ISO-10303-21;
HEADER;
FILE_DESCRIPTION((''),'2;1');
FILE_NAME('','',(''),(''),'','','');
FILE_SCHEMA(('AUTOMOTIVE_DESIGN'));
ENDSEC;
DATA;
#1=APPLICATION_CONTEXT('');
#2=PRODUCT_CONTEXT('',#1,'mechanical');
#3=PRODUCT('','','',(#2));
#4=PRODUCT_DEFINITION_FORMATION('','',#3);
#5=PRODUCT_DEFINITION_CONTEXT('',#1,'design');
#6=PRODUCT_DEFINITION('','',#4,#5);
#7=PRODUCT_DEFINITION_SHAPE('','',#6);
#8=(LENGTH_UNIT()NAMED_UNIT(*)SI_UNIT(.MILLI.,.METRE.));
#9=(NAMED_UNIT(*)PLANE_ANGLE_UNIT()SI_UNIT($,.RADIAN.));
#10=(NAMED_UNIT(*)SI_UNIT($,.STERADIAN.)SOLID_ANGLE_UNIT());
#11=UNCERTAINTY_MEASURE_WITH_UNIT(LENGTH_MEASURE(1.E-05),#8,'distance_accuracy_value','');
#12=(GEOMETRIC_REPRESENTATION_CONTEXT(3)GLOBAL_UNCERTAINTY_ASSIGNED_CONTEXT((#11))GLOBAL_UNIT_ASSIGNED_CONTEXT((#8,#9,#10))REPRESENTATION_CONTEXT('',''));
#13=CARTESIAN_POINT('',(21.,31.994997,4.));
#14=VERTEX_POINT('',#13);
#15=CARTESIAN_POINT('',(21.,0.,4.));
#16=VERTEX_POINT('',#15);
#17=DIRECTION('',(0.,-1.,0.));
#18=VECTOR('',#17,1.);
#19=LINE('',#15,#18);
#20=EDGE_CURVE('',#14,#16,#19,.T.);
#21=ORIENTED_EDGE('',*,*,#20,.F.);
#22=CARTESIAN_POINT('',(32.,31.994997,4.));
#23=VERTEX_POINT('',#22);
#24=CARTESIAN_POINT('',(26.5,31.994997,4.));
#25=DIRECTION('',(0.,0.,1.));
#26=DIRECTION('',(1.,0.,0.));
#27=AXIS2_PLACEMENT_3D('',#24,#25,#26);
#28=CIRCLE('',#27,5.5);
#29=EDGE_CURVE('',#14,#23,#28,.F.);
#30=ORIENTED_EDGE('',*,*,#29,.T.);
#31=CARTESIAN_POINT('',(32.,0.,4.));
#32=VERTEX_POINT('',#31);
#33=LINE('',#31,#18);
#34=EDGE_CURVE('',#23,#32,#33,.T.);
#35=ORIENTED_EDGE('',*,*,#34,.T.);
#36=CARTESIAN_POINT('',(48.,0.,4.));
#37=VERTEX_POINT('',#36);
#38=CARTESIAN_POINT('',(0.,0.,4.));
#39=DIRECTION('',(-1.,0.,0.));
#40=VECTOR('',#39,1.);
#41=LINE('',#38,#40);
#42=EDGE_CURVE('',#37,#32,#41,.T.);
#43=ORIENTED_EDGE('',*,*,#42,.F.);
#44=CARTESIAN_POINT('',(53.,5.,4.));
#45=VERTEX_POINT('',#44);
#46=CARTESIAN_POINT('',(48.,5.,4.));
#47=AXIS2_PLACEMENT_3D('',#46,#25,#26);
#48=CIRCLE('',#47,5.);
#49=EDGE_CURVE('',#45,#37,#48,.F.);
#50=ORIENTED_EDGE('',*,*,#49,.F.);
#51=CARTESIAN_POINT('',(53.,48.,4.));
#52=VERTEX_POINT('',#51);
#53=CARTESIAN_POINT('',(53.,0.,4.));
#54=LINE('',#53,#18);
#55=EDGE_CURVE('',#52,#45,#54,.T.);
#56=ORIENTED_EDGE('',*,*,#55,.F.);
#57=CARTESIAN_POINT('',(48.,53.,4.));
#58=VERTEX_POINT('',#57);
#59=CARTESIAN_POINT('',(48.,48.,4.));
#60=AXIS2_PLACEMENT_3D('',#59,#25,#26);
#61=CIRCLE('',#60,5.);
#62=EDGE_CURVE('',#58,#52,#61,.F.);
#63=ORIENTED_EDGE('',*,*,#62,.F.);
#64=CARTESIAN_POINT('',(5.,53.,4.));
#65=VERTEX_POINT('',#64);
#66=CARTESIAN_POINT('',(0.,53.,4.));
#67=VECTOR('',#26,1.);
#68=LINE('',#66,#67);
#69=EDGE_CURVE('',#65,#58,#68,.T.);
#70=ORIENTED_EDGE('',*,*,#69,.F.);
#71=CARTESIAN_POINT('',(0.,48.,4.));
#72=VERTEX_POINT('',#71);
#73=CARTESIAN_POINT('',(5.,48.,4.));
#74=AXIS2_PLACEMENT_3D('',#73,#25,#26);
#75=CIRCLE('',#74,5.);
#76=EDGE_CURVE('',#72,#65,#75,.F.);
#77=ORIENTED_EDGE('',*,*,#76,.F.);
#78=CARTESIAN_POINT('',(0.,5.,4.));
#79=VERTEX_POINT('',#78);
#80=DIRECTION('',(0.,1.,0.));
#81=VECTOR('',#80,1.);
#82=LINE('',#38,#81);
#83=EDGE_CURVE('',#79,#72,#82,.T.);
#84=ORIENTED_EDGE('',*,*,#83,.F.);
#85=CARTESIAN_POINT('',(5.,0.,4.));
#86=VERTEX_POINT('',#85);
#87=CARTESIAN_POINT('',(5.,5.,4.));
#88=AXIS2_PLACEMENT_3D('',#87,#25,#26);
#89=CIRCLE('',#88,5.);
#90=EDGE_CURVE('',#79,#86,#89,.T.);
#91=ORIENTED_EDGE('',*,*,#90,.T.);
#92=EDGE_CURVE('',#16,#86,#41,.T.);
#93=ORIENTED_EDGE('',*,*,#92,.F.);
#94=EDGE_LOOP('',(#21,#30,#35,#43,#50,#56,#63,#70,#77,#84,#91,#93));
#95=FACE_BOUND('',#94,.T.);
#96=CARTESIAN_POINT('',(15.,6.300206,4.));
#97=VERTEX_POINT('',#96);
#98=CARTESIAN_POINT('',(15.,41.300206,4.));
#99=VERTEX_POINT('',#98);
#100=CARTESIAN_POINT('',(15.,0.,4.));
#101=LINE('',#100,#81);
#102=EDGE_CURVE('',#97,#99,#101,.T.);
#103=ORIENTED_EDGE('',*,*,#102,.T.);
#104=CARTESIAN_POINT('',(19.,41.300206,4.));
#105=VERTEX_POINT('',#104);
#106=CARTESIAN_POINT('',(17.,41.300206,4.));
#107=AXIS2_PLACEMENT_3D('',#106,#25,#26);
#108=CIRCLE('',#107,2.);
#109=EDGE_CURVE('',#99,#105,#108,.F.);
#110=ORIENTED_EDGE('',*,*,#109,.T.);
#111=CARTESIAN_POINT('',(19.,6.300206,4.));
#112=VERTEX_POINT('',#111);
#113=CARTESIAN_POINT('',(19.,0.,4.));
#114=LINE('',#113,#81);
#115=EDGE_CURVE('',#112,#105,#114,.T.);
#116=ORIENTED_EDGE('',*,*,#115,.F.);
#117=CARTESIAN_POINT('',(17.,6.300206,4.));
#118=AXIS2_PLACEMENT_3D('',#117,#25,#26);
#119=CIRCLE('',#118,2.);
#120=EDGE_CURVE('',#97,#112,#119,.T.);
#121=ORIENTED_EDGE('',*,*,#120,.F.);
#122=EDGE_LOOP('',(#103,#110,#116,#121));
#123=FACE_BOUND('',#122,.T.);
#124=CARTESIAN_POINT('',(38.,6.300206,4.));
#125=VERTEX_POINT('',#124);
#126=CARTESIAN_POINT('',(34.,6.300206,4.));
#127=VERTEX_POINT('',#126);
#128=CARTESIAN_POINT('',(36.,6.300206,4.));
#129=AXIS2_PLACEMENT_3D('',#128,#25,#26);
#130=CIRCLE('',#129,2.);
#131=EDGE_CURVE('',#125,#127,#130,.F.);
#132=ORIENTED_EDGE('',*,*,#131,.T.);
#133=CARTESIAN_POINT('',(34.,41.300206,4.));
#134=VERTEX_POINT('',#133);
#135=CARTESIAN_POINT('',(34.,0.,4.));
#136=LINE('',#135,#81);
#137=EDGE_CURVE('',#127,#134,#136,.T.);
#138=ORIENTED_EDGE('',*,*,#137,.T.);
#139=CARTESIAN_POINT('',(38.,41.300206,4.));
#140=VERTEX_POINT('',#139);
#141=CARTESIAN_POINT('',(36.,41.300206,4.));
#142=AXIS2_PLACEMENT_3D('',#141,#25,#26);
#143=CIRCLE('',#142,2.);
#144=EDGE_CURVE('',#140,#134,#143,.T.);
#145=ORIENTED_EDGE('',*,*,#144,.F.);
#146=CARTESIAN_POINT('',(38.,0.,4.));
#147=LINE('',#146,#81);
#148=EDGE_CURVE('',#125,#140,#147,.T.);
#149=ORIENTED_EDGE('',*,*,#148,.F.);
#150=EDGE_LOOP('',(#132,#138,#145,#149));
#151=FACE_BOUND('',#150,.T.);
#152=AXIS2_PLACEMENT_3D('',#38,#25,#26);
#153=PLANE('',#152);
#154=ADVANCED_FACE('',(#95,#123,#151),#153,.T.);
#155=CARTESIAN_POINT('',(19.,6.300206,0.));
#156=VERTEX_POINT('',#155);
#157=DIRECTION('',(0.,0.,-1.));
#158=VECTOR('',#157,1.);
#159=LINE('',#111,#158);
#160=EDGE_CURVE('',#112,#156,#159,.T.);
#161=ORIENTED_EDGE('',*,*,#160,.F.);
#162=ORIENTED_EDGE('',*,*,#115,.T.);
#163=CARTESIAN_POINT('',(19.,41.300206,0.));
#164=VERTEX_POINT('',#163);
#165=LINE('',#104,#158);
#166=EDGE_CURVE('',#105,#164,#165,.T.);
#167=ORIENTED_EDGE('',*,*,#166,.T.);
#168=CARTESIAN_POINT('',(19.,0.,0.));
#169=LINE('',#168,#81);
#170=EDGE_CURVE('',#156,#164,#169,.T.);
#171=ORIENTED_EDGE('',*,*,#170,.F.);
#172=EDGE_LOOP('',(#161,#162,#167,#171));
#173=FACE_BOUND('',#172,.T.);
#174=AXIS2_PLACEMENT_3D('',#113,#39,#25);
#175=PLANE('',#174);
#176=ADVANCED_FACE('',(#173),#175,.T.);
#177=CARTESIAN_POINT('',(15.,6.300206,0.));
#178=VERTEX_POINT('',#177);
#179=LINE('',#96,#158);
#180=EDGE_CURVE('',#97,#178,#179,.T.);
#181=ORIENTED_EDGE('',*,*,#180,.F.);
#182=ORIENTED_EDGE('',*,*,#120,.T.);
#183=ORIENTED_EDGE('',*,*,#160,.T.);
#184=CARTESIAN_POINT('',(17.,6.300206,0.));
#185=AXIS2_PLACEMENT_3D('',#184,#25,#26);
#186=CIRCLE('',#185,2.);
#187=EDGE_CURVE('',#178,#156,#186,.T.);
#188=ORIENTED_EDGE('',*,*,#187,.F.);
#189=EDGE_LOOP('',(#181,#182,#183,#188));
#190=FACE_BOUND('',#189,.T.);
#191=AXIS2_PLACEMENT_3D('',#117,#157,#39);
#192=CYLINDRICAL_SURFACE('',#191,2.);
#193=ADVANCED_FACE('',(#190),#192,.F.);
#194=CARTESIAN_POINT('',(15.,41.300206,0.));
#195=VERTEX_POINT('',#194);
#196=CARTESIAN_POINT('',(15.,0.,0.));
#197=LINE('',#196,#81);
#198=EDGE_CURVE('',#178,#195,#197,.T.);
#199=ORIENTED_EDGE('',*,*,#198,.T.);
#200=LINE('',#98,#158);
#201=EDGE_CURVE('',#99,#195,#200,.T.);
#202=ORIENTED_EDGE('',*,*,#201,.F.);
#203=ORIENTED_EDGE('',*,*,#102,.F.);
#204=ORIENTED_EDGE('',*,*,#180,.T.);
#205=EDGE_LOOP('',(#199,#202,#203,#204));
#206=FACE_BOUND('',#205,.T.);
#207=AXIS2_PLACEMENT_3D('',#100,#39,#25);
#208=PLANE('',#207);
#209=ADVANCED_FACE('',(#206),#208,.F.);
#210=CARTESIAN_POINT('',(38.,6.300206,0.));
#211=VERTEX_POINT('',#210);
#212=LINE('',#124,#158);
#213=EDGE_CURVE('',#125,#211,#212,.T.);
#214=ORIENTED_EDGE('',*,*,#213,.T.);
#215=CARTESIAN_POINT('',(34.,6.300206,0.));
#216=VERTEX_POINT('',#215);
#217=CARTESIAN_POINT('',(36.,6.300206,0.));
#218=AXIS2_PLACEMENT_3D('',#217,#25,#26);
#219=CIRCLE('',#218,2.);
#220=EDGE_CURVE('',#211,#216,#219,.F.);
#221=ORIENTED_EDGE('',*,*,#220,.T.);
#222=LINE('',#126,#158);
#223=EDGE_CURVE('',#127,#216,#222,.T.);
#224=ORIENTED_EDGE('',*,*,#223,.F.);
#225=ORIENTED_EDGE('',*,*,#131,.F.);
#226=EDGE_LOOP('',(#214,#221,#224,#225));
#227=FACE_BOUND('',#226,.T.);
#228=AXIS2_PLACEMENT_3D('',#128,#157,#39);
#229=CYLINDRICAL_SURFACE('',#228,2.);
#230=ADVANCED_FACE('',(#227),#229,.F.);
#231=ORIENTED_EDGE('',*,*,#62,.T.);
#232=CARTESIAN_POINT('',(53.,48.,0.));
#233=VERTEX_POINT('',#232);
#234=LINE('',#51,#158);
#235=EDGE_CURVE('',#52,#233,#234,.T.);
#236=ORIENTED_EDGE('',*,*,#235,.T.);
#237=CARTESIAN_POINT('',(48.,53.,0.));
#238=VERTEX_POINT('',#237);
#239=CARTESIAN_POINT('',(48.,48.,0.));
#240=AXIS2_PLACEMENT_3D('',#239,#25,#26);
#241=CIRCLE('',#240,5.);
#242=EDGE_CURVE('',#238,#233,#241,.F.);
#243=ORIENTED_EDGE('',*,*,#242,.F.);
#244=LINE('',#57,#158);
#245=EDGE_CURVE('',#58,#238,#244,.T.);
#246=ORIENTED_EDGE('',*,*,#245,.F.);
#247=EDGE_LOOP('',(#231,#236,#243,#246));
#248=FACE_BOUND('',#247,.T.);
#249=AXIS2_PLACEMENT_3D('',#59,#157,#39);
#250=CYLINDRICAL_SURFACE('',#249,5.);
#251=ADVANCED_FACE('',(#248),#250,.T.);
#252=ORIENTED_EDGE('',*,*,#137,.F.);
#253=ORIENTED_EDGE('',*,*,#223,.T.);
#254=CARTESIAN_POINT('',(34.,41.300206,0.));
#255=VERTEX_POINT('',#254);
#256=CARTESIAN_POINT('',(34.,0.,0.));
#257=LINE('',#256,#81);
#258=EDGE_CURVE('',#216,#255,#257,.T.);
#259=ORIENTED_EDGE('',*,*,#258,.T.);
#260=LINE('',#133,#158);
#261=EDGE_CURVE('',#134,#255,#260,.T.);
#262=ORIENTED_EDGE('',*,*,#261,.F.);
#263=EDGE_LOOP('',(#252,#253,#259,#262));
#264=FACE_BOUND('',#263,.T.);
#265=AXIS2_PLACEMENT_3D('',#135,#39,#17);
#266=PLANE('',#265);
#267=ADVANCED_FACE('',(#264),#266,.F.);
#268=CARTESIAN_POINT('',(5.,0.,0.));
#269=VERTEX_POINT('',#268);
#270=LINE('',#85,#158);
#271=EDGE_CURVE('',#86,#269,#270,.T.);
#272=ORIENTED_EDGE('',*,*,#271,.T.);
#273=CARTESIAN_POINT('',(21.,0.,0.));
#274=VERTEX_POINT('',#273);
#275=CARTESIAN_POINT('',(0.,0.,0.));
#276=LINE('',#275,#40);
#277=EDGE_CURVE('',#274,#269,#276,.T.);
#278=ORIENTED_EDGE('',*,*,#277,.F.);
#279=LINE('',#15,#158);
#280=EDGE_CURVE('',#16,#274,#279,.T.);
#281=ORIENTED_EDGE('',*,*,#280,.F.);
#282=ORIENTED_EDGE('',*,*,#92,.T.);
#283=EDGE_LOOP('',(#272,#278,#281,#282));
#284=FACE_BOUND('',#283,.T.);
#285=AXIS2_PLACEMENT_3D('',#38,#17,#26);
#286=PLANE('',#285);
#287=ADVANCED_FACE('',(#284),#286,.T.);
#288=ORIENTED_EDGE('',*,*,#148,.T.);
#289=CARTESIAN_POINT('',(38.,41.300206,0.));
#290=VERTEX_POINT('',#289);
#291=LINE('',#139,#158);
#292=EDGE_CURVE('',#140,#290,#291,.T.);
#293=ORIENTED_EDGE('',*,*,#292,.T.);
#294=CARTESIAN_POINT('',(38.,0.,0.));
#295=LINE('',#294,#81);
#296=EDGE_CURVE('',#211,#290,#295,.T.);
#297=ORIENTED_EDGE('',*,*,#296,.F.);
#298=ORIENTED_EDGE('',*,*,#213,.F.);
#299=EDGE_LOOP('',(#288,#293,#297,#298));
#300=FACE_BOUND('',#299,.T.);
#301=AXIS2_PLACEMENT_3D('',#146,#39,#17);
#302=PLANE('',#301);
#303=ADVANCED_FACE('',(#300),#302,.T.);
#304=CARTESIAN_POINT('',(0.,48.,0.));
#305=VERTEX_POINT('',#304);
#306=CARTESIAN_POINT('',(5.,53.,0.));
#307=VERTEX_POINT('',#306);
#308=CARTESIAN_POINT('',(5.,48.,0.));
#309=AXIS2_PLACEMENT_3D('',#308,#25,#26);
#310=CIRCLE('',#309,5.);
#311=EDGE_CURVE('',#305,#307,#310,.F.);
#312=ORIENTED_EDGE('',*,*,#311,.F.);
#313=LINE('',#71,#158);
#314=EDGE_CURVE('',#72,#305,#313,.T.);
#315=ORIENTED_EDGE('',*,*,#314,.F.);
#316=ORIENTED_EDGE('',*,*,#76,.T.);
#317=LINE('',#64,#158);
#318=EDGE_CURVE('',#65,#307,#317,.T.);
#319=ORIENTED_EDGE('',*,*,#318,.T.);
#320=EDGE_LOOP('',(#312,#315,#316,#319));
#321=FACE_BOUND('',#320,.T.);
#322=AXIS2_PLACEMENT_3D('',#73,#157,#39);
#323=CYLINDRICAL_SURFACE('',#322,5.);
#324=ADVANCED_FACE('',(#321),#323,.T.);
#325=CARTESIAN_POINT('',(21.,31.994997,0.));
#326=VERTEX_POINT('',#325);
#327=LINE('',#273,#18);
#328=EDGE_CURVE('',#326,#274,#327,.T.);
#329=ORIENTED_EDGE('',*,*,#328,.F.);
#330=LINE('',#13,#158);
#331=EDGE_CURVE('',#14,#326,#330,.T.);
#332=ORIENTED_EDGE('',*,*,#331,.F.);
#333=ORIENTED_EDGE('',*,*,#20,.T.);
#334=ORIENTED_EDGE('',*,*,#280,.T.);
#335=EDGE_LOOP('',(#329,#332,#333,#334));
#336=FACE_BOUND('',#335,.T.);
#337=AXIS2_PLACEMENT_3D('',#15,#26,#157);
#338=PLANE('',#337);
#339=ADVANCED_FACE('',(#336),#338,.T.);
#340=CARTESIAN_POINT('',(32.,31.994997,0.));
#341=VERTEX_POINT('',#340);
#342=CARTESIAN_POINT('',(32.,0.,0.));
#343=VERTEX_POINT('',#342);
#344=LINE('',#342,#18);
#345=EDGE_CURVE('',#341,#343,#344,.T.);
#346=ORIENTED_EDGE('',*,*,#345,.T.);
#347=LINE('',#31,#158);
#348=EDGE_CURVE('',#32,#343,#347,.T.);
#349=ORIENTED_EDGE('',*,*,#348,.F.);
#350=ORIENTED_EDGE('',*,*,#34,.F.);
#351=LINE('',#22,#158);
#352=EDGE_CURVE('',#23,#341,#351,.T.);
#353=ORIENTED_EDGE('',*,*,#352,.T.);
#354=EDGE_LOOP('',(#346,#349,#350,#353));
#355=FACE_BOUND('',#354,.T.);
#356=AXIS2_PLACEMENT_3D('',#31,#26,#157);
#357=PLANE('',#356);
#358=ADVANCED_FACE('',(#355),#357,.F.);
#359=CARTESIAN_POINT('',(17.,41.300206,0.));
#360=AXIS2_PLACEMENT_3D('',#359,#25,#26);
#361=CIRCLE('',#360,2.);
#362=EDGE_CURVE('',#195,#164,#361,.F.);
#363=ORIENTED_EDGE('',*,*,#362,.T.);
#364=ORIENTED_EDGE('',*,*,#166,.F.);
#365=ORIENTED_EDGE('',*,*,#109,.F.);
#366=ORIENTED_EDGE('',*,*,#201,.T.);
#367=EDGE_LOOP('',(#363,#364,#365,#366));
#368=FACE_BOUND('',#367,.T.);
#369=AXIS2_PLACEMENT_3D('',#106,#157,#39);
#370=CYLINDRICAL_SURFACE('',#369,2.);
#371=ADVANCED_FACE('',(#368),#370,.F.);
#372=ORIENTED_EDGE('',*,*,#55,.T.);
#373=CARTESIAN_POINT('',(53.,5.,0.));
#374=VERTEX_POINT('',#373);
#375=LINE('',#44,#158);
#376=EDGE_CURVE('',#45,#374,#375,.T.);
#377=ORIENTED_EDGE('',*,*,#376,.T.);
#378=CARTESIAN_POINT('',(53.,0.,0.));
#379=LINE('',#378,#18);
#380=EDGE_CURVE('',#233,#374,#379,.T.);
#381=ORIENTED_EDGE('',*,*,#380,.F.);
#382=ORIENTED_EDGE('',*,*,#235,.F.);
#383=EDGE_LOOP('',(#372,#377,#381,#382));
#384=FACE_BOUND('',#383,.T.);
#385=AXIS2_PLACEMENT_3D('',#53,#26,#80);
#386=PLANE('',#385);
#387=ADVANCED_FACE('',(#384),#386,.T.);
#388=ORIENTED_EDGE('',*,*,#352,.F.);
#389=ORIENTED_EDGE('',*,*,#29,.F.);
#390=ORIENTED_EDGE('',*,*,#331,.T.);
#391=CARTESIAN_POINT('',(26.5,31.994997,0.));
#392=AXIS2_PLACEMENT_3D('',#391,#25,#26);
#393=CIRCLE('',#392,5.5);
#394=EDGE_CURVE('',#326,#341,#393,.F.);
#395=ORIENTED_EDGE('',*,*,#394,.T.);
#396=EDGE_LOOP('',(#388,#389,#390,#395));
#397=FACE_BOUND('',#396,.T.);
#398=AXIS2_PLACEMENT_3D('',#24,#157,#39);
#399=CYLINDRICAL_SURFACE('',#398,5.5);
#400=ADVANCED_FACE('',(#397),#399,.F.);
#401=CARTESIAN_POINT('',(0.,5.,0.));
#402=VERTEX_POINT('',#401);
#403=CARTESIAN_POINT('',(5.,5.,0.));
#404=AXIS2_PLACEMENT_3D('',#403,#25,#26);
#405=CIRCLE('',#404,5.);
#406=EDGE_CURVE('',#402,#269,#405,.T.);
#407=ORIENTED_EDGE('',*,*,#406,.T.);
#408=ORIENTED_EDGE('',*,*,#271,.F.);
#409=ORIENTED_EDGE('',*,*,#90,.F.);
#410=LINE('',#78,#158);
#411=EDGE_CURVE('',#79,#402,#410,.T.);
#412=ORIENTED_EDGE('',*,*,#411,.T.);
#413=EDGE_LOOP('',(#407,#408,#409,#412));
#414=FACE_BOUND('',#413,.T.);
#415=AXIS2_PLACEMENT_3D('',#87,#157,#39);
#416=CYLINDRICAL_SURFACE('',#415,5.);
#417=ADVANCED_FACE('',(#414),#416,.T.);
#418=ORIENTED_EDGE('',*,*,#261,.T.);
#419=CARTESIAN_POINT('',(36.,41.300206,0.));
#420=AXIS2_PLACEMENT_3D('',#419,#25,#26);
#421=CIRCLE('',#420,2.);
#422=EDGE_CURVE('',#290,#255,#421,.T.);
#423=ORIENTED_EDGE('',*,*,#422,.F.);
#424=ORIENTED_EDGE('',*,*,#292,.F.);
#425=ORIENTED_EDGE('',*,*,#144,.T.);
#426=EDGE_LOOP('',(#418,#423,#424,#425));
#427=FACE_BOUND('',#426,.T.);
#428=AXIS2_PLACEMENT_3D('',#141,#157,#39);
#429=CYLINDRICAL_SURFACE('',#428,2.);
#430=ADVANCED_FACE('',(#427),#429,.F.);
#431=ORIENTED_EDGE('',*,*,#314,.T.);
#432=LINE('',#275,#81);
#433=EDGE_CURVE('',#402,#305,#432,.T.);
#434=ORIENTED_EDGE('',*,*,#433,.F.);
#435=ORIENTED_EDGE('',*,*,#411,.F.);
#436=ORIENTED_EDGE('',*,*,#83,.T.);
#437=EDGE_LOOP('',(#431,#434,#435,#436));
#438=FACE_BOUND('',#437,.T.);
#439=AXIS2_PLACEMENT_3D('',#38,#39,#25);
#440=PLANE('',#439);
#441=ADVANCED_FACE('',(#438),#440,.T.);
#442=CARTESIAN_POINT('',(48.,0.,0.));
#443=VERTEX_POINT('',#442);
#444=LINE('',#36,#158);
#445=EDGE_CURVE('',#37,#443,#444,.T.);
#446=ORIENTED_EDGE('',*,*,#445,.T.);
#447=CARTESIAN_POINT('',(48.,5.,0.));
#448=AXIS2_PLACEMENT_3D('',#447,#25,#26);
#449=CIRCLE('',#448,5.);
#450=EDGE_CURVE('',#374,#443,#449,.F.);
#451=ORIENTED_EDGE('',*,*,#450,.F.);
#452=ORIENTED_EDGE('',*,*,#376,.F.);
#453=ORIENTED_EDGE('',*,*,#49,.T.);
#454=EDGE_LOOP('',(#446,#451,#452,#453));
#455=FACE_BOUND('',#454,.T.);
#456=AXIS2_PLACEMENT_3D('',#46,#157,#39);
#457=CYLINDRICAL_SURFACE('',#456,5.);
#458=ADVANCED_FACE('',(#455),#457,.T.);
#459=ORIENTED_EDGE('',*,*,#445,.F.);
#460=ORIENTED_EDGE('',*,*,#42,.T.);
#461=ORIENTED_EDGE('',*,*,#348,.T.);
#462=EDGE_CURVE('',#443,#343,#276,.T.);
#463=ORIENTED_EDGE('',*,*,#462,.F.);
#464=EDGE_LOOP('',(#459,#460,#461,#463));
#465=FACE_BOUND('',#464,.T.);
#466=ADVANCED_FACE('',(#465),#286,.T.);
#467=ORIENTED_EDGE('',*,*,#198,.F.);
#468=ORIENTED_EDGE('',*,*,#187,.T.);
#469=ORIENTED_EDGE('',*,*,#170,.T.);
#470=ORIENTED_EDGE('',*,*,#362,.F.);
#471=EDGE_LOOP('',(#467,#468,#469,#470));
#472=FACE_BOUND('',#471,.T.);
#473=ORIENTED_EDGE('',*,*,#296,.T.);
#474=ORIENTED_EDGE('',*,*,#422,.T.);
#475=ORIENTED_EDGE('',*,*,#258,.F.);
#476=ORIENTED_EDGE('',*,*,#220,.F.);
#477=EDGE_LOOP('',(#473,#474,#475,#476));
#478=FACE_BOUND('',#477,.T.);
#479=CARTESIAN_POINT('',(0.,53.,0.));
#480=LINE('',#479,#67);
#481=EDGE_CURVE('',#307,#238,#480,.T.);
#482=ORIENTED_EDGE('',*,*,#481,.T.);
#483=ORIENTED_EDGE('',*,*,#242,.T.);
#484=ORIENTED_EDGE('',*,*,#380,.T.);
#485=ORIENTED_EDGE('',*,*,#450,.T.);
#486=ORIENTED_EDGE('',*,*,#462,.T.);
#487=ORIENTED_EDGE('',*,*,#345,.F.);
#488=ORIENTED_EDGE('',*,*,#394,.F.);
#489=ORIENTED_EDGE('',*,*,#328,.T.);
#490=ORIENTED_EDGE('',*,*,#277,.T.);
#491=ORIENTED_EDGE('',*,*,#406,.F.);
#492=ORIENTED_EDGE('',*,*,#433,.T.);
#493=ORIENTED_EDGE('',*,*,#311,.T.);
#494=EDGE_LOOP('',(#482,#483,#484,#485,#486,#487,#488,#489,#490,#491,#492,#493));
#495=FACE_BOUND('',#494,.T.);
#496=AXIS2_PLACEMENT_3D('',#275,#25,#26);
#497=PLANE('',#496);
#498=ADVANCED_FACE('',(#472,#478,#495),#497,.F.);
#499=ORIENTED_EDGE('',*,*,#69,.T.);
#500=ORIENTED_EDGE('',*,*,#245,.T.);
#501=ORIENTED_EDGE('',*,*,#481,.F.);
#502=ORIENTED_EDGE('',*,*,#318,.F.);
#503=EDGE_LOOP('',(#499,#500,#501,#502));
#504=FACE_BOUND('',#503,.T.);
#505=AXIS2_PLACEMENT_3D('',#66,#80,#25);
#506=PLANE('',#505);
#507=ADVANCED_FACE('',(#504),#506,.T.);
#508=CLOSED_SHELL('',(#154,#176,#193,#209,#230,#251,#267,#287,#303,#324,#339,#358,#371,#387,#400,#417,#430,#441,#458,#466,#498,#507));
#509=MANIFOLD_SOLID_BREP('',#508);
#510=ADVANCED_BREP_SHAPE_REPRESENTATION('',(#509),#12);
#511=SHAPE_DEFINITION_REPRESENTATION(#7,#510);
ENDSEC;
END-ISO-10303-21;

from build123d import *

# Parameters (mm, degrees)
BOSS_EXTRUDE2_DEPTH = 4


with BuildPart() as part:
    # Sketch1 → Boss-Extrude2 (new body)
    with BuildSketch(Plane.XY):
        with BuildLine():
            Line((0, 48), (0, 5))
            ThreePointArc((0, 5), (1.464466094, 1.464466094), (5, 0))
            Line((5, 0), (21, 0))
            Line((21, 0), (21, 31.99499657))
            ThreePointArc((21, 31.99499657), (26.5, 37.49499657), (32, 31.99499657))
            Line((32, 31.99499657), (32, 0))
            Line((32, 0), (48, 0))
            ThreePointArc((48, 0), (51.535533906, 1.464466094), (53, 5))
            Line((53, 5), (53, 48))
            ThreePointArc((53, 48), (51.535533906, 51.535533906), (48, 53))
            Line((48, 53), (5, 53))
            ThreePointArc((5, 53), (1.464466094, 51.535533906), (0, 48))
        make_face()
        with BuildLine():
            Line((19, 41.300206215), (19, 6.300206215))
            ThreePointArc((19, 6.300206215), (17, 4.300206215), (15, 6.300206215))
            Line((15, 6.300206215), (15, 41.300206215))
            ThreePointArc((15, 41.300206215), (17, 43.300206215), (19, 41.300206215))
        make_face(mode=Mode.SUBTRACT)
        with BuildLine():
            Line((38, 41.300206215), (38, 6.300206215))
            ThreePointArc((38, 6.300206215), (36, 4.300206215), (34, 6.300206215))
            Line((34, 6.300206215), (34, 41.300206215))
            ThreePointArc((34, 41.300206215), (36, 43.300206215), (38, 41.300206215))
        make_face(mode=Mode.SUBTRACT)
    extrude(amount=BOSS_EXTRUDE2_DEPTH)


solid = part.part
